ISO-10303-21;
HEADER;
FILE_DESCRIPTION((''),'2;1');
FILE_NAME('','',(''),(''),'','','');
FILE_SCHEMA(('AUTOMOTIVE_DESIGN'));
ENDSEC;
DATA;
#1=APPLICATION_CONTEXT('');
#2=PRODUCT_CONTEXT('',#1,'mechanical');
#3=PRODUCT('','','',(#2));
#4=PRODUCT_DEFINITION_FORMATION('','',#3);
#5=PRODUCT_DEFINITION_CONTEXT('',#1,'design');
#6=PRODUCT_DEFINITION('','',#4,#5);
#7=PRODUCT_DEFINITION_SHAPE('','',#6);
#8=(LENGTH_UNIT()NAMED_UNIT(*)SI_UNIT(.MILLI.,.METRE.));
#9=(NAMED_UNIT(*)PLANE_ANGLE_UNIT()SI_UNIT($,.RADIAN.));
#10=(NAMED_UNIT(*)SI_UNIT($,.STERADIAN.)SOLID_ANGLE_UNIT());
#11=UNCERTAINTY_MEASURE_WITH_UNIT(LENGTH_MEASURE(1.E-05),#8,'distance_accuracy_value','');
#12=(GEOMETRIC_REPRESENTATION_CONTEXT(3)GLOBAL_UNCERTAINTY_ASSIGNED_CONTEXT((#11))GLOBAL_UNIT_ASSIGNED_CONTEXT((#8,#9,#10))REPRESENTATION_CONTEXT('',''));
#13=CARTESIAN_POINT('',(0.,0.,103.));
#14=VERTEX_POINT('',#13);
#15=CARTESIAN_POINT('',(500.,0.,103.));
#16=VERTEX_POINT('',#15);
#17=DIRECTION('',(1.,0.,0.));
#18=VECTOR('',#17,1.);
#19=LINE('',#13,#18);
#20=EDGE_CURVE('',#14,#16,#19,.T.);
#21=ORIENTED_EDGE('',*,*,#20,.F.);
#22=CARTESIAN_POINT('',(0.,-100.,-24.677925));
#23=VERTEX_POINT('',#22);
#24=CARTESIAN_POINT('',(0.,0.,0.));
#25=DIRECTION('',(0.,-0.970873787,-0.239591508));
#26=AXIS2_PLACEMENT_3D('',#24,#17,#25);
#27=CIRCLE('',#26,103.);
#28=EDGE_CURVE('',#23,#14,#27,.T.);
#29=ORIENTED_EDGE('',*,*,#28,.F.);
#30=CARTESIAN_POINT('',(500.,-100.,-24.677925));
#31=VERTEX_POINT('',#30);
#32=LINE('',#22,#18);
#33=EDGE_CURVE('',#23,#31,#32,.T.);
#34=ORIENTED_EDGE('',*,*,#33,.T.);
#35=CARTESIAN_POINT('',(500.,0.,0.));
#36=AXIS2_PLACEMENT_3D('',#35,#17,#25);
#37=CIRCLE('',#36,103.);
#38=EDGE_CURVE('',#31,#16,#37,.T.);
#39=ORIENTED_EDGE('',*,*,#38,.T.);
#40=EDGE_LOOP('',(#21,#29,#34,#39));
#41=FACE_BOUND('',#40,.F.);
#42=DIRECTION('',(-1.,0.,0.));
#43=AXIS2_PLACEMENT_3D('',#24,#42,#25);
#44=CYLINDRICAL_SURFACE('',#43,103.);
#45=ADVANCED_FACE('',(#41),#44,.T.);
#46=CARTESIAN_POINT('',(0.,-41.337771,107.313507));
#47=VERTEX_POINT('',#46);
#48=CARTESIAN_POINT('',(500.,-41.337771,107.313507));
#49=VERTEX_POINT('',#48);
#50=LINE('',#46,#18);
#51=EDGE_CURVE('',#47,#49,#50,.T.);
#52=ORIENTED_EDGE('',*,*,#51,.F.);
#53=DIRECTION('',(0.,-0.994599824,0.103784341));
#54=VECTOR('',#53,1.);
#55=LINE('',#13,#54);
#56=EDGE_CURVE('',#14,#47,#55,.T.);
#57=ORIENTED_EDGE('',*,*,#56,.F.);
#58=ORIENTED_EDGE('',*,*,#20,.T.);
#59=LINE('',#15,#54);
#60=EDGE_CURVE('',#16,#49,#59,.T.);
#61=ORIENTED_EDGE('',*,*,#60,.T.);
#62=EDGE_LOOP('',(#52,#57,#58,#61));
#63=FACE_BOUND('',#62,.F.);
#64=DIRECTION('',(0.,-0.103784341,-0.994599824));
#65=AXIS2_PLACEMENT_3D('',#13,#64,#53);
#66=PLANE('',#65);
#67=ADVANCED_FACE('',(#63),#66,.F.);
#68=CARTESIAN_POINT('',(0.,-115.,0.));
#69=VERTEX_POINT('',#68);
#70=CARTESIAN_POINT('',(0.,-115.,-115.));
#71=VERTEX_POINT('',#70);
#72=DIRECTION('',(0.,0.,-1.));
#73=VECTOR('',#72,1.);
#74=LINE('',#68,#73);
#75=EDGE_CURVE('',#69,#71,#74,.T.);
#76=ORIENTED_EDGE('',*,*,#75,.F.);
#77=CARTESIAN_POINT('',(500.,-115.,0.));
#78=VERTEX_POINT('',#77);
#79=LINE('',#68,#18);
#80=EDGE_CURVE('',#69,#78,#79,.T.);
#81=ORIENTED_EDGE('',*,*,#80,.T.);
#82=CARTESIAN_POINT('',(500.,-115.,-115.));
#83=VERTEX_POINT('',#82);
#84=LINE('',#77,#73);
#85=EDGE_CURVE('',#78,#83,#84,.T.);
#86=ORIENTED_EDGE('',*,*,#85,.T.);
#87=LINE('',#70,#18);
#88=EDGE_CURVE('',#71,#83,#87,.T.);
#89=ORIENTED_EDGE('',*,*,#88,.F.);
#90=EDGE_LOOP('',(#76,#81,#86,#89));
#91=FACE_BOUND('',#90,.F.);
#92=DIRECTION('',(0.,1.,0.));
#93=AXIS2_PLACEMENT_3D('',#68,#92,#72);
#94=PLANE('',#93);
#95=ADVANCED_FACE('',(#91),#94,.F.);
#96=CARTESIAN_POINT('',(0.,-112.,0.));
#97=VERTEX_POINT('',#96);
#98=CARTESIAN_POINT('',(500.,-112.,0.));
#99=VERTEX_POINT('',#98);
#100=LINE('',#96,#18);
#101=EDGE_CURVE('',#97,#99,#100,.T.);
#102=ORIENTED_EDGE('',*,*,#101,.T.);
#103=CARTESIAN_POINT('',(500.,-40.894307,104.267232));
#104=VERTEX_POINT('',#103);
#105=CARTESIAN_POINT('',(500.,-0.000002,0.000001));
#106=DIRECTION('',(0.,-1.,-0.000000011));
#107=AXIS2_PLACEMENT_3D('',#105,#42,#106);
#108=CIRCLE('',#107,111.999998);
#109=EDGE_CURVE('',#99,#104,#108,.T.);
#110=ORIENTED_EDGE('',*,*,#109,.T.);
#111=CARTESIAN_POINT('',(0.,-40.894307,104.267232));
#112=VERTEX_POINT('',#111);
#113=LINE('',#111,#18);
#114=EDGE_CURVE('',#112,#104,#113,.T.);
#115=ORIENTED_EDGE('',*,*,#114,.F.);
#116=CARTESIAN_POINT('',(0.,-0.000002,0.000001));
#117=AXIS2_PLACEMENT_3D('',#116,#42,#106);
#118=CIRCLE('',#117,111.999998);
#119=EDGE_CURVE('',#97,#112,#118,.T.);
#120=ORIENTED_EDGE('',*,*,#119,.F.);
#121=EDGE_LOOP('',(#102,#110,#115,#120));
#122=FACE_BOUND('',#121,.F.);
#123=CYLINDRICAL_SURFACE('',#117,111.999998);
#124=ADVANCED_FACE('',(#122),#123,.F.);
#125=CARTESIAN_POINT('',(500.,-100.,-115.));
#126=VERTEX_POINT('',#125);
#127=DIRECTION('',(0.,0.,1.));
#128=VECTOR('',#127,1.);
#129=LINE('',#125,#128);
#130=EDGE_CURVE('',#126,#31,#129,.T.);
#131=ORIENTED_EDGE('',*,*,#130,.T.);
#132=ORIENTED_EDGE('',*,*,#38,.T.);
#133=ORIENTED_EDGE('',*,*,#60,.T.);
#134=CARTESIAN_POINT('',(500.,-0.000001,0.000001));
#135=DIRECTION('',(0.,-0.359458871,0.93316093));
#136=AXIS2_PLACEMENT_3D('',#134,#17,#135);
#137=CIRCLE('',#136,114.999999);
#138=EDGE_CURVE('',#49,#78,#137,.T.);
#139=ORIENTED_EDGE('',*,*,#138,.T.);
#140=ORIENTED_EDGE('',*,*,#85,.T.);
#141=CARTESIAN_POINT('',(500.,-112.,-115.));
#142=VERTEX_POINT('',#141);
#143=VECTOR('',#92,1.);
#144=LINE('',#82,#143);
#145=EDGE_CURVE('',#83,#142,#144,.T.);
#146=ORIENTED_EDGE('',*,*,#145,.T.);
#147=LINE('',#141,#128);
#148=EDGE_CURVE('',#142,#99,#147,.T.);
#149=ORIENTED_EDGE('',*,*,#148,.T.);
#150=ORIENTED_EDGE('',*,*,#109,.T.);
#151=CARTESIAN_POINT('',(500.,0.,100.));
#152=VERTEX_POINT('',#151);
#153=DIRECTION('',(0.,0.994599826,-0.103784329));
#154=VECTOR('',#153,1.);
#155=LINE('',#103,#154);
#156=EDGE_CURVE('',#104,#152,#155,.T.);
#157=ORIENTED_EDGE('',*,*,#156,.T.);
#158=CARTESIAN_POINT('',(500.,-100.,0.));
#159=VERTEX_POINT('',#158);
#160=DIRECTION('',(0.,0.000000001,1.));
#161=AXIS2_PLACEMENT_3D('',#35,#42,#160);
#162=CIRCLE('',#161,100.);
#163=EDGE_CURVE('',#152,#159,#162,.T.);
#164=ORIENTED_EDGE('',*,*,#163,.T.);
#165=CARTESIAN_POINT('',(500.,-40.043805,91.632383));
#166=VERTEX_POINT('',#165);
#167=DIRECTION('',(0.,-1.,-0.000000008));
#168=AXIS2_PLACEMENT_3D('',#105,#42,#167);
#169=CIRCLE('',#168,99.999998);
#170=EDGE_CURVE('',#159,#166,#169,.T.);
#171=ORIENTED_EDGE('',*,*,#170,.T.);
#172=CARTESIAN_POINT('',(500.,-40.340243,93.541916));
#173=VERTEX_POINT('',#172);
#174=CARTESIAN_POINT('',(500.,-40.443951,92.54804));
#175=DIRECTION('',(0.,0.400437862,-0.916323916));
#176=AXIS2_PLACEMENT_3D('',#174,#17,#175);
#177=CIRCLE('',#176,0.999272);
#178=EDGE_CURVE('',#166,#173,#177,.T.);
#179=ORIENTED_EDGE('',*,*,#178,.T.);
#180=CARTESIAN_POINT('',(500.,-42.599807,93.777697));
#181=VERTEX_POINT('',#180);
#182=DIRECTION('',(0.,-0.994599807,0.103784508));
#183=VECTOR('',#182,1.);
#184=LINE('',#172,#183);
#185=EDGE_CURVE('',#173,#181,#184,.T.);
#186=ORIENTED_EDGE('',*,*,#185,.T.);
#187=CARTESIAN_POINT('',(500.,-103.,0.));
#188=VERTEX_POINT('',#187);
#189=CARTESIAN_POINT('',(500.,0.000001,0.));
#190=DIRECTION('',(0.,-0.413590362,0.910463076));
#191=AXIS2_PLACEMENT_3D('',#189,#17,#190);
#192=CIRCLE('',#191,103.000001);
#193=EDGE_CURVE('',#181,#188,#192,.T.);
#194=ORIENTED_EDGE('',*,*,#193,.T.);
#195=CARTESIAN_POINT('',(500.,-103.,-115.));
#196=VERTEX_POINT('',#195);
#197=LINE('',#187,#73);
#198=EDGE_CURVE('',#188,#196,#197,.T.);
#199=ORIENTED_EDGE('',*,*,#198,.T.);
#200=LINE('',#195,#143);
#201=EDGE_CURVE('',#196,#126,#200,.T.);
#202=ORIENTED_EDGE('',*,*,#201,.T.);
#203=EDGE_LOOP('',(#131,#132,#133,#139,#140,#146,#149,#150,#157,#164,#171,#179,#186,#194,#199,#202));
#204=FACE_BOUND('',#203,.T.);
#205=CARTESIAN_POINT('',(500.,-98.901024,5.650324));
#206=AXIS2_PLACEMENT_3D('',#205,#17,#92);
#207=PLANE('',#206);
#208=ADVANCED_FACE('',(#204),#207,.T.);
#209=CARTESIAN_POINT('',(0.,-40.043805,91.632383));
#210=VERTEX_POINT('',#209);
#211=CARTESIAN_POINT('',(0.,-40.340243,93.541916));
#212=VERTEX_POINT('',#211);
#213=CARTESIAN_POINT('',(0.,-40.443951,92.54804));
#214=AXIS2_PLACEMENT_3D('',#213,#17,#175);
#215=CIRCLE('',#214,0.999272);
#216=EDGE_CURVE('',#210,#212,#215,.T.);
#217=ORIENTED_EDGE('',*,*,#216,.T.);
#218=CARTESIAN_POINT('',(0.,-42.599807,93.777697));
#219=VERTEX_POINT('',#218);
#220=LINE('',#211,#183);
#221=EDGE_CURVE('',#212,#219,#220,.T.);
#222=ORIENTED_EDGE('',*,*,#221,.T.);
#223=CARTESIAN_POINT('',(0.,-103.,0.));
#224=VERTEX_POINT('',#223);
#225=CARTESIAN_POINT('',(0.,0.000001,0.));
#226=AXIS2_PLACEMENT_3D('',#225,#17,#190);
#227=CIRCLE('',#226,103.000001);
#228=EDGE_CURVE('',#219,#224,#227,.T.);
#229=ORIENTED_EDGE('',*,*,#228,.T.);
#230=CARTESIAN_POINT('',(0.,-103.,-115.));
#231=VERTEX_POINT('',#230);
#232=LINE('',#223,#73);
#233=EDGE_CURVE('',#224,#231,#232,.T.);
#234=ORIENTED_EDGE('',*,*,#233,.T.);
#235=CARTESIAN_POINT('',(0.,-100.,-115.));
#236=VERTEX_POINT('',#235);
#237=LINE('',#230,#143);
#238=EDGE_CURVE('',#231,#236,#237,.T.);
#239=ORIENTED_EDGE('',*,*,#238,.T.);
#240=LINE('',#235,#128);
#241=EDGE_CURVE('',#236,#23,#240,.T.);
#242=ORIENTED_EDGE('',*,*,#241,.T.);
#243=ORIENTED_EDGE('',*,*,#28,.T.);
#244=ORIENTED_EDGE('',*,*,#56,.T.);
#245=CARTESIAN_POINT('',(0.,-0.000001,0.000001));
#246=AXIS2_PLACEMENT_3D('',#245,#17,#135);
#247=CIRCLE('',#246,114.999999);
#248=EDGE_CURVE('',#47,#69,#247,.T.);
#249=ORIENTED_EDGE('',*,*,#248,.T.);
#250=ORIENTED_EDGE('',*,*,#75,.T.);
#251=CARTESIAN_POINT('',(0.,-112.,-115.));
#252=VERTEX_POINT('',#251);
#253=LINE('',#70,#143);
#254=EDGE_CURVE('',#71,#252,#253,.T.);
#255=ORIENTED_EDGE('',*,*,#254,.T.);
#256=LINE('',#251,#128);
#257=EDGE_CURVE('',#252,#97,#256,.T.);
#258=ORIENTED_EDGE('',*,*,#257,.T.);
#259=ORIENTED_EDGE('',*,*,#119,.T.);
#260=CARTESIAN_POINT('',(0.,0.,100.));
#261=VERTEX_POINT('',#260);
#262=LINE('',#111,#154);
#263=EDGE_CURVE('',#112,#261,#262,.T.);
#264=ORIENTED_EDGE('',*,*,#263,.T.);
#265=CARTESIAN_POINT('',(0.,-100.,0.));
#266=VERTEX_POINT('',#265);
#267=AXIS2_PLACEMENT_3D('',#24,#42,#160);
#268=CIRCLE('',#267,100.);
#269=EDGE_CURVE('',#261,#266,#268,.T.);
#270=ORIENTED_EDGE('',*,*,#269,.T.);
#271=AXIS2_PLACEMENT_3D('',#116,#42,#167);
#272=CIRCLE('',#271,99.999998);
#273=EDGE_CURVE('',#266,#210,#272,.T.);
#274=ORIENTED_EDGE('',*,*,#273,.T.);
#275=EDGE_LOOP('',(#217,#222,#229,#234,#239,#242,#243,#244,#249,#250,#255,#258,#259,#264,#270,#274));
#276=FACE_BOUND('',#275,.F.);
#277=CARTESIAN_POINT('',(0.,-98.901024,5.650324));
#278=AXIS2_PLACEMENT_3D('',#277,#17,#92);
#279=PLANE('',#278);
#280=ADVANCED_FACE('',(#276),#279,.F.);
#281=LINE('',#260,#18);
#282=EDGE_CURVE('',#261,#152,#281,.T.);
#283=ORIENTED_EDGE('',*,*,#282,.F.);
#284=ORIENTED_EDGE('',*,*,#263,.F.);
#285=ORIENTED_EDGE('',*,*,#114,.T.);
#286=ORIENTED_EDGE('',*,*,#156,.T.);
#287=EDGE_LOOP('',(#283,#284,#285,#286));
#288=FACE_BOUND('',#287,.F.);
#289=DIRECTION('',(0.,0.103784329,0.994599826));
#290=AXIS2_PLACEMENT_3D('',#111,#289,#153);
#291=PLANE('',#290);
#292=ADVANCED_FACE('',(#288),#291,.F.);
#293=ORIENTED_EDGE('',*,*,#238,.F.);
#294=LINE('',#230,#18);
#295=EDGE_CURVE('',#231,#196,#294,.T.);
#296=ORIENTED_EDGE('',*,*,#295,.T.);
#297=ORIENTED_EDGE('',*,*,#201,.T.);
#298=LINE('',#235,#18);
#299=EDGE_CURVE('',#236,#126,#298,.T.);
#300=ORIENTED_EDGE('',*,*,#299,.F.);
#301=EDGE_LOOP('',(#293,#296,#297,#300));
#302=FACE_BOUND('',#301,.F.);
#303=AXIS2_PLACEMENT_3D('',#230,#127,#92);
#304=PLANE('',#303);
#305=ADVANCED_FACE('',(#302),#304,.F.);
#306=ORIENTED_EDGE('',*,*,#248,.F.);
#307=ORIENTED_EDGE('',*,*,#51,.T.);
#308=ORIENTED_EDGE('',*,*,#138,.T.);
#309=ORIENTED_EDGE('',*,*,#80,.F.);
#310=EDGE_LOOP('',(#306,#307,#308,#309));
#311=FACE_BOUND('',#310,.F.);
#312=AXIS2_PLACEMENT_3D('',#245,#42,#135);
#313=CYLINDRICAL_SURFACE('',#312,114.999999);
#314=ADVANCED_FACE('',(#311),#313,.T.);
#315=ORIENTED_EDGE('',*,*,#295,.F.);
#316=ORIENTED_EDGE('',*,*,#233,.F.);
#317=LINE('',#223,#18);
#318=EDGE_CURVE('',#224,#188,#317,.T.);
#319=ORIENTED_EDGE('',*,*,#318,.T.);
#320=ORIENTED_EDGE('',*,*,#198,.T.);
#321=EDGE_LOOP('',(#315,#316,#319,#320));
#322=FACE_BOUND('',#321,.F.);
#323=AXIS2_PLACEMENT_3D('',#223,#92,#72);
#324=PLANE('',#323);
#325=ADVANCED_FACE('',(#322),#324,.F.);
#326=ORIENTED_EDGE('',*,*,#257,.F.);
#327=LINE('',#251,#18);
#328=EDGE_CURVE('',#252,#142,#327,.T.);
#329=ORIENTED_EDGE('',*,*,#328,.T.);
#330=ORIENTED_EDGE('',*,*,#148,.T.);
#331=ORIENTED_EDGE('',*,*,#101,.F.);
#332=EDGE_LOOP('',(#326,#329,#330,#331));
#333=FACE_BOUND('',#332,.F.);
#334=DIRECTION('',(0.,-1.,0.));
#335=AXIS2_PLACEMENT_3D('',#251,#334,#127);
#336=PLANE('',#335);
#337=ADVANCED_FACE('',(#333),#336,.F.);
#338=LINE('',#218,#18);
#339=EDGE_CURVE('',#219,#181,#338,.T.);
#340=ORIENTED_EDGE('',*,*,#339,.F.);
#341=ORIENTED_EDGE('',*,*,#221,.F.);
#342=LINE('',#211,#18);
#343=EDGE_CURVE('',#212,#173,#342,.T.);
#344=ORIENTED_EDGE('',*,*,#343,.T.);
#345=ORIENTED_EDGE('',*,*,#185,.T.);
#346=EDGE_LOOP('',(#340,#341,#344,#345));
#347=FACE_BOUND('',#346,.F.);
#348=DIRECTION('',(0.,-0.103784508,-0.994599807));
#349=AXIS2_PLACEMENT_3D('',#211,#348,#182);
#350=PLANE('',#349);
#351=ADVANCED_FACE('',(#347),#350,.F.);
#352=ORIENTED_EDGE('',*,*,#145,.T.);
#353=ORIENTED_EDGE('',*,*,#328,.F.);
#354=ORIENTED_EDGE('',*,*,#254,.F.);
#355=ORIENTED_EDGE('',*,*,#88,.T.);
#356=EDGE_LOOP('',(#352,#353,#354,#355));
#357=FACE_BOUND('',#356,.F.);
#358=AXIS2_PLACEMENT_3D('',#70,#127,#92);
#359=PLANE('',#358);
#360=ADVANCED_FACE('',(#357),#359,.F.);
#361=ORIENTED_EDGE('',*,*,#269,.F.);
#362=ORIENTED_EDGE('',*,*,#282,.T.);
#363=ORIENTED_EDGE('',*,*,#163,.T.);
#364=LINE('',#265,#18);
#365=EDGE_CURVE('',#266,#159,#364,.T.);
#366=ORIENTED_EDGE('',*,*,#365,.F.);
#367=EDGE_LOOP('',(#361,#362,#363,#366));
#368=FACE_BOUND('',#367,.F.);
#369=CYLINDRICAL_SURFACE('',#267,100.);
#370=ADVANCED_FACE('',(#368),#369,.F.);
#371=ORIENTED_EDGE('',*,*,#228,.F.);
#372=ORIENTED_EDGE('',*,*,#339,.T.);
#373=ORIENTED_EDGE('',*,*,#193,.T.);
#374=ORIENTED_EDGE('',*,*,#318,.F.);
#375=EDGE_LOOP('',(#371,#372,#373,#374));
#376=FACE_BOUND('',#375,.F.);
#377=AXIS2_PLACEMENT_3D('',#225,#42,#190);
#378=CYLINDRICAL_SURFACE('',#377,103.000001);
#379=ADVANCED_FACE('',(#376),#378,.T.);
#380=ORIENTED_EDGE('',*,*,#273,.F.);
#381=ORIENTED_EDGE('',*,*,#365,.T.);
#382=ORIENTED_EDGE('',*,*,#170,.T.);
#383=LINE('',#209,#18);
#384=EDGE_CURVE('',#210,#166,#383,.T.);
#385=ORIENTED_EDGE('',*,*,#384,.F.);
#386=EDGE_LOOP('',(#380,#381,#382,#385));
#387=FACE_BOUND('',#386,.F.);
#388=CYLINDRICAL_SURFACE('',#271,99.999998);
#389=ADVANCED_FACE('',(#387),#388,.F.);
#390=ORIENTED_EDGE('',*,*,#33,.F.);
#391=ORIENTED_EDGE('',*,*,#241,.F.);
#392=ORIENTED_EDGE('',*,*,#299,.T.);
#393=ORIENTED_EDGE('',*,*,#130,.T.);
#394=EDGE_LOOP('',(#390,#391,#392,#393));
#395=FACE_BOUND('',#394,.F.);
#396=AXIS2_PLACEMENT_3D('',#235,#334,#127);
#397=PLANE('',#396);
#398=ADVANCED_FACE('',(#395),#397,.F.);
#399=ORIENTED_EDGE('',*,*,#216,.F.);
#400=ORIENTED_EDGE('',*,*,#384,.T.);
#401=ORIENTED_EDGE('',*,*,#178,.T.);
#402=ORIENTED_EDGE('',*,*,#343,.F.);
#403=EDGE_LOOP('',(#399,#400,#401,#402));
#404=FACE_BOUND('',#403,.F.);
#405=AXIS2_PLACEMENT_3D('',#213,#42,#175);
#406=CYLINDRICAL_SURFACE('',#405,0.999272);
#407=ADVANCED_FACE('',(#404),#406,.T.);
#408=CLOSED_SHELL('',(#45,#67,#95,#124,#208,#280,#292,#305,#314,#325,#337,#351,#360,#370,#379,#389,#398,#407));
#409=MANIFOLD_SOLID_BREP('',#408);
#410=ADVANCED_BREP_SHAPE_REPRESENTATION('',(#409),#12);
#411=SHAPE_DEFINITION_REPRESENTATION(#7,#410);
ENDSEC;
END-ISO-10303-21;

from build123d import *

# Parameters (mm, degrees)
F1_DEPTH = 500


with BuildPart() as f1:
    # F0 (on Right) → F1 (new body)
    with BuildSketch(Plane.YZ):
        with BuildLine():
            ThreePointArc((-112, 0), (-92.531515, 63.102447), (-40.894307, 104.267232))
            Line((-40.894307, 104.267232), (-41.337771, 107.313507))
            ThreePointArc((-41.337771, 107.313507), (-94.812562, 65.08132), (-115, 0))
            Line((-115, 0), (-115, -115))
            Line((-115, -115), (-112, -115))
            Line((-112, -115), (-112, 0))
        make_face()
        with BuildLine():
            ThreePointArc((-100, 0), (-83.679091, 54.752258), (-40.043805, 91.632383))
            ThreePointArc((-40.043805, 91.632383), (-39.456507, 92.701332), (-40.340243, 93.541916))
            Line((-40.340243, 93.541916), (-42.599807, 93.777697))
            ThreePointArc((-42.599807, 93.777697), (-86.593245, 55.772842), (-103, 0))
            Line((-103, 0), (-103, -115))
            Line((-103, -115), (-100, -115))
            Line((-100, -115), (-100, -24.677925))
            Line((-100, -24.677925), (-100, 0))
        make_face()
        with BuildLine():
            ThreePointArc((0, 100), (70.710678, -70.710678), (-100, 0))
            Line((-100, 0), (-100, -24.677925))
            ThreePointArc((-100, -24.677925), (81.088921, -63.510525), (0, 103))
            Line((0, 103), (0, 100))
        make_face()
        Polygon((-40.894307, 104.267232), (0, 100), (0, 103), (-41.337771, 107.313507), align=None)
    extrude(amount=F1_DEPTH)


solid = f1.part
